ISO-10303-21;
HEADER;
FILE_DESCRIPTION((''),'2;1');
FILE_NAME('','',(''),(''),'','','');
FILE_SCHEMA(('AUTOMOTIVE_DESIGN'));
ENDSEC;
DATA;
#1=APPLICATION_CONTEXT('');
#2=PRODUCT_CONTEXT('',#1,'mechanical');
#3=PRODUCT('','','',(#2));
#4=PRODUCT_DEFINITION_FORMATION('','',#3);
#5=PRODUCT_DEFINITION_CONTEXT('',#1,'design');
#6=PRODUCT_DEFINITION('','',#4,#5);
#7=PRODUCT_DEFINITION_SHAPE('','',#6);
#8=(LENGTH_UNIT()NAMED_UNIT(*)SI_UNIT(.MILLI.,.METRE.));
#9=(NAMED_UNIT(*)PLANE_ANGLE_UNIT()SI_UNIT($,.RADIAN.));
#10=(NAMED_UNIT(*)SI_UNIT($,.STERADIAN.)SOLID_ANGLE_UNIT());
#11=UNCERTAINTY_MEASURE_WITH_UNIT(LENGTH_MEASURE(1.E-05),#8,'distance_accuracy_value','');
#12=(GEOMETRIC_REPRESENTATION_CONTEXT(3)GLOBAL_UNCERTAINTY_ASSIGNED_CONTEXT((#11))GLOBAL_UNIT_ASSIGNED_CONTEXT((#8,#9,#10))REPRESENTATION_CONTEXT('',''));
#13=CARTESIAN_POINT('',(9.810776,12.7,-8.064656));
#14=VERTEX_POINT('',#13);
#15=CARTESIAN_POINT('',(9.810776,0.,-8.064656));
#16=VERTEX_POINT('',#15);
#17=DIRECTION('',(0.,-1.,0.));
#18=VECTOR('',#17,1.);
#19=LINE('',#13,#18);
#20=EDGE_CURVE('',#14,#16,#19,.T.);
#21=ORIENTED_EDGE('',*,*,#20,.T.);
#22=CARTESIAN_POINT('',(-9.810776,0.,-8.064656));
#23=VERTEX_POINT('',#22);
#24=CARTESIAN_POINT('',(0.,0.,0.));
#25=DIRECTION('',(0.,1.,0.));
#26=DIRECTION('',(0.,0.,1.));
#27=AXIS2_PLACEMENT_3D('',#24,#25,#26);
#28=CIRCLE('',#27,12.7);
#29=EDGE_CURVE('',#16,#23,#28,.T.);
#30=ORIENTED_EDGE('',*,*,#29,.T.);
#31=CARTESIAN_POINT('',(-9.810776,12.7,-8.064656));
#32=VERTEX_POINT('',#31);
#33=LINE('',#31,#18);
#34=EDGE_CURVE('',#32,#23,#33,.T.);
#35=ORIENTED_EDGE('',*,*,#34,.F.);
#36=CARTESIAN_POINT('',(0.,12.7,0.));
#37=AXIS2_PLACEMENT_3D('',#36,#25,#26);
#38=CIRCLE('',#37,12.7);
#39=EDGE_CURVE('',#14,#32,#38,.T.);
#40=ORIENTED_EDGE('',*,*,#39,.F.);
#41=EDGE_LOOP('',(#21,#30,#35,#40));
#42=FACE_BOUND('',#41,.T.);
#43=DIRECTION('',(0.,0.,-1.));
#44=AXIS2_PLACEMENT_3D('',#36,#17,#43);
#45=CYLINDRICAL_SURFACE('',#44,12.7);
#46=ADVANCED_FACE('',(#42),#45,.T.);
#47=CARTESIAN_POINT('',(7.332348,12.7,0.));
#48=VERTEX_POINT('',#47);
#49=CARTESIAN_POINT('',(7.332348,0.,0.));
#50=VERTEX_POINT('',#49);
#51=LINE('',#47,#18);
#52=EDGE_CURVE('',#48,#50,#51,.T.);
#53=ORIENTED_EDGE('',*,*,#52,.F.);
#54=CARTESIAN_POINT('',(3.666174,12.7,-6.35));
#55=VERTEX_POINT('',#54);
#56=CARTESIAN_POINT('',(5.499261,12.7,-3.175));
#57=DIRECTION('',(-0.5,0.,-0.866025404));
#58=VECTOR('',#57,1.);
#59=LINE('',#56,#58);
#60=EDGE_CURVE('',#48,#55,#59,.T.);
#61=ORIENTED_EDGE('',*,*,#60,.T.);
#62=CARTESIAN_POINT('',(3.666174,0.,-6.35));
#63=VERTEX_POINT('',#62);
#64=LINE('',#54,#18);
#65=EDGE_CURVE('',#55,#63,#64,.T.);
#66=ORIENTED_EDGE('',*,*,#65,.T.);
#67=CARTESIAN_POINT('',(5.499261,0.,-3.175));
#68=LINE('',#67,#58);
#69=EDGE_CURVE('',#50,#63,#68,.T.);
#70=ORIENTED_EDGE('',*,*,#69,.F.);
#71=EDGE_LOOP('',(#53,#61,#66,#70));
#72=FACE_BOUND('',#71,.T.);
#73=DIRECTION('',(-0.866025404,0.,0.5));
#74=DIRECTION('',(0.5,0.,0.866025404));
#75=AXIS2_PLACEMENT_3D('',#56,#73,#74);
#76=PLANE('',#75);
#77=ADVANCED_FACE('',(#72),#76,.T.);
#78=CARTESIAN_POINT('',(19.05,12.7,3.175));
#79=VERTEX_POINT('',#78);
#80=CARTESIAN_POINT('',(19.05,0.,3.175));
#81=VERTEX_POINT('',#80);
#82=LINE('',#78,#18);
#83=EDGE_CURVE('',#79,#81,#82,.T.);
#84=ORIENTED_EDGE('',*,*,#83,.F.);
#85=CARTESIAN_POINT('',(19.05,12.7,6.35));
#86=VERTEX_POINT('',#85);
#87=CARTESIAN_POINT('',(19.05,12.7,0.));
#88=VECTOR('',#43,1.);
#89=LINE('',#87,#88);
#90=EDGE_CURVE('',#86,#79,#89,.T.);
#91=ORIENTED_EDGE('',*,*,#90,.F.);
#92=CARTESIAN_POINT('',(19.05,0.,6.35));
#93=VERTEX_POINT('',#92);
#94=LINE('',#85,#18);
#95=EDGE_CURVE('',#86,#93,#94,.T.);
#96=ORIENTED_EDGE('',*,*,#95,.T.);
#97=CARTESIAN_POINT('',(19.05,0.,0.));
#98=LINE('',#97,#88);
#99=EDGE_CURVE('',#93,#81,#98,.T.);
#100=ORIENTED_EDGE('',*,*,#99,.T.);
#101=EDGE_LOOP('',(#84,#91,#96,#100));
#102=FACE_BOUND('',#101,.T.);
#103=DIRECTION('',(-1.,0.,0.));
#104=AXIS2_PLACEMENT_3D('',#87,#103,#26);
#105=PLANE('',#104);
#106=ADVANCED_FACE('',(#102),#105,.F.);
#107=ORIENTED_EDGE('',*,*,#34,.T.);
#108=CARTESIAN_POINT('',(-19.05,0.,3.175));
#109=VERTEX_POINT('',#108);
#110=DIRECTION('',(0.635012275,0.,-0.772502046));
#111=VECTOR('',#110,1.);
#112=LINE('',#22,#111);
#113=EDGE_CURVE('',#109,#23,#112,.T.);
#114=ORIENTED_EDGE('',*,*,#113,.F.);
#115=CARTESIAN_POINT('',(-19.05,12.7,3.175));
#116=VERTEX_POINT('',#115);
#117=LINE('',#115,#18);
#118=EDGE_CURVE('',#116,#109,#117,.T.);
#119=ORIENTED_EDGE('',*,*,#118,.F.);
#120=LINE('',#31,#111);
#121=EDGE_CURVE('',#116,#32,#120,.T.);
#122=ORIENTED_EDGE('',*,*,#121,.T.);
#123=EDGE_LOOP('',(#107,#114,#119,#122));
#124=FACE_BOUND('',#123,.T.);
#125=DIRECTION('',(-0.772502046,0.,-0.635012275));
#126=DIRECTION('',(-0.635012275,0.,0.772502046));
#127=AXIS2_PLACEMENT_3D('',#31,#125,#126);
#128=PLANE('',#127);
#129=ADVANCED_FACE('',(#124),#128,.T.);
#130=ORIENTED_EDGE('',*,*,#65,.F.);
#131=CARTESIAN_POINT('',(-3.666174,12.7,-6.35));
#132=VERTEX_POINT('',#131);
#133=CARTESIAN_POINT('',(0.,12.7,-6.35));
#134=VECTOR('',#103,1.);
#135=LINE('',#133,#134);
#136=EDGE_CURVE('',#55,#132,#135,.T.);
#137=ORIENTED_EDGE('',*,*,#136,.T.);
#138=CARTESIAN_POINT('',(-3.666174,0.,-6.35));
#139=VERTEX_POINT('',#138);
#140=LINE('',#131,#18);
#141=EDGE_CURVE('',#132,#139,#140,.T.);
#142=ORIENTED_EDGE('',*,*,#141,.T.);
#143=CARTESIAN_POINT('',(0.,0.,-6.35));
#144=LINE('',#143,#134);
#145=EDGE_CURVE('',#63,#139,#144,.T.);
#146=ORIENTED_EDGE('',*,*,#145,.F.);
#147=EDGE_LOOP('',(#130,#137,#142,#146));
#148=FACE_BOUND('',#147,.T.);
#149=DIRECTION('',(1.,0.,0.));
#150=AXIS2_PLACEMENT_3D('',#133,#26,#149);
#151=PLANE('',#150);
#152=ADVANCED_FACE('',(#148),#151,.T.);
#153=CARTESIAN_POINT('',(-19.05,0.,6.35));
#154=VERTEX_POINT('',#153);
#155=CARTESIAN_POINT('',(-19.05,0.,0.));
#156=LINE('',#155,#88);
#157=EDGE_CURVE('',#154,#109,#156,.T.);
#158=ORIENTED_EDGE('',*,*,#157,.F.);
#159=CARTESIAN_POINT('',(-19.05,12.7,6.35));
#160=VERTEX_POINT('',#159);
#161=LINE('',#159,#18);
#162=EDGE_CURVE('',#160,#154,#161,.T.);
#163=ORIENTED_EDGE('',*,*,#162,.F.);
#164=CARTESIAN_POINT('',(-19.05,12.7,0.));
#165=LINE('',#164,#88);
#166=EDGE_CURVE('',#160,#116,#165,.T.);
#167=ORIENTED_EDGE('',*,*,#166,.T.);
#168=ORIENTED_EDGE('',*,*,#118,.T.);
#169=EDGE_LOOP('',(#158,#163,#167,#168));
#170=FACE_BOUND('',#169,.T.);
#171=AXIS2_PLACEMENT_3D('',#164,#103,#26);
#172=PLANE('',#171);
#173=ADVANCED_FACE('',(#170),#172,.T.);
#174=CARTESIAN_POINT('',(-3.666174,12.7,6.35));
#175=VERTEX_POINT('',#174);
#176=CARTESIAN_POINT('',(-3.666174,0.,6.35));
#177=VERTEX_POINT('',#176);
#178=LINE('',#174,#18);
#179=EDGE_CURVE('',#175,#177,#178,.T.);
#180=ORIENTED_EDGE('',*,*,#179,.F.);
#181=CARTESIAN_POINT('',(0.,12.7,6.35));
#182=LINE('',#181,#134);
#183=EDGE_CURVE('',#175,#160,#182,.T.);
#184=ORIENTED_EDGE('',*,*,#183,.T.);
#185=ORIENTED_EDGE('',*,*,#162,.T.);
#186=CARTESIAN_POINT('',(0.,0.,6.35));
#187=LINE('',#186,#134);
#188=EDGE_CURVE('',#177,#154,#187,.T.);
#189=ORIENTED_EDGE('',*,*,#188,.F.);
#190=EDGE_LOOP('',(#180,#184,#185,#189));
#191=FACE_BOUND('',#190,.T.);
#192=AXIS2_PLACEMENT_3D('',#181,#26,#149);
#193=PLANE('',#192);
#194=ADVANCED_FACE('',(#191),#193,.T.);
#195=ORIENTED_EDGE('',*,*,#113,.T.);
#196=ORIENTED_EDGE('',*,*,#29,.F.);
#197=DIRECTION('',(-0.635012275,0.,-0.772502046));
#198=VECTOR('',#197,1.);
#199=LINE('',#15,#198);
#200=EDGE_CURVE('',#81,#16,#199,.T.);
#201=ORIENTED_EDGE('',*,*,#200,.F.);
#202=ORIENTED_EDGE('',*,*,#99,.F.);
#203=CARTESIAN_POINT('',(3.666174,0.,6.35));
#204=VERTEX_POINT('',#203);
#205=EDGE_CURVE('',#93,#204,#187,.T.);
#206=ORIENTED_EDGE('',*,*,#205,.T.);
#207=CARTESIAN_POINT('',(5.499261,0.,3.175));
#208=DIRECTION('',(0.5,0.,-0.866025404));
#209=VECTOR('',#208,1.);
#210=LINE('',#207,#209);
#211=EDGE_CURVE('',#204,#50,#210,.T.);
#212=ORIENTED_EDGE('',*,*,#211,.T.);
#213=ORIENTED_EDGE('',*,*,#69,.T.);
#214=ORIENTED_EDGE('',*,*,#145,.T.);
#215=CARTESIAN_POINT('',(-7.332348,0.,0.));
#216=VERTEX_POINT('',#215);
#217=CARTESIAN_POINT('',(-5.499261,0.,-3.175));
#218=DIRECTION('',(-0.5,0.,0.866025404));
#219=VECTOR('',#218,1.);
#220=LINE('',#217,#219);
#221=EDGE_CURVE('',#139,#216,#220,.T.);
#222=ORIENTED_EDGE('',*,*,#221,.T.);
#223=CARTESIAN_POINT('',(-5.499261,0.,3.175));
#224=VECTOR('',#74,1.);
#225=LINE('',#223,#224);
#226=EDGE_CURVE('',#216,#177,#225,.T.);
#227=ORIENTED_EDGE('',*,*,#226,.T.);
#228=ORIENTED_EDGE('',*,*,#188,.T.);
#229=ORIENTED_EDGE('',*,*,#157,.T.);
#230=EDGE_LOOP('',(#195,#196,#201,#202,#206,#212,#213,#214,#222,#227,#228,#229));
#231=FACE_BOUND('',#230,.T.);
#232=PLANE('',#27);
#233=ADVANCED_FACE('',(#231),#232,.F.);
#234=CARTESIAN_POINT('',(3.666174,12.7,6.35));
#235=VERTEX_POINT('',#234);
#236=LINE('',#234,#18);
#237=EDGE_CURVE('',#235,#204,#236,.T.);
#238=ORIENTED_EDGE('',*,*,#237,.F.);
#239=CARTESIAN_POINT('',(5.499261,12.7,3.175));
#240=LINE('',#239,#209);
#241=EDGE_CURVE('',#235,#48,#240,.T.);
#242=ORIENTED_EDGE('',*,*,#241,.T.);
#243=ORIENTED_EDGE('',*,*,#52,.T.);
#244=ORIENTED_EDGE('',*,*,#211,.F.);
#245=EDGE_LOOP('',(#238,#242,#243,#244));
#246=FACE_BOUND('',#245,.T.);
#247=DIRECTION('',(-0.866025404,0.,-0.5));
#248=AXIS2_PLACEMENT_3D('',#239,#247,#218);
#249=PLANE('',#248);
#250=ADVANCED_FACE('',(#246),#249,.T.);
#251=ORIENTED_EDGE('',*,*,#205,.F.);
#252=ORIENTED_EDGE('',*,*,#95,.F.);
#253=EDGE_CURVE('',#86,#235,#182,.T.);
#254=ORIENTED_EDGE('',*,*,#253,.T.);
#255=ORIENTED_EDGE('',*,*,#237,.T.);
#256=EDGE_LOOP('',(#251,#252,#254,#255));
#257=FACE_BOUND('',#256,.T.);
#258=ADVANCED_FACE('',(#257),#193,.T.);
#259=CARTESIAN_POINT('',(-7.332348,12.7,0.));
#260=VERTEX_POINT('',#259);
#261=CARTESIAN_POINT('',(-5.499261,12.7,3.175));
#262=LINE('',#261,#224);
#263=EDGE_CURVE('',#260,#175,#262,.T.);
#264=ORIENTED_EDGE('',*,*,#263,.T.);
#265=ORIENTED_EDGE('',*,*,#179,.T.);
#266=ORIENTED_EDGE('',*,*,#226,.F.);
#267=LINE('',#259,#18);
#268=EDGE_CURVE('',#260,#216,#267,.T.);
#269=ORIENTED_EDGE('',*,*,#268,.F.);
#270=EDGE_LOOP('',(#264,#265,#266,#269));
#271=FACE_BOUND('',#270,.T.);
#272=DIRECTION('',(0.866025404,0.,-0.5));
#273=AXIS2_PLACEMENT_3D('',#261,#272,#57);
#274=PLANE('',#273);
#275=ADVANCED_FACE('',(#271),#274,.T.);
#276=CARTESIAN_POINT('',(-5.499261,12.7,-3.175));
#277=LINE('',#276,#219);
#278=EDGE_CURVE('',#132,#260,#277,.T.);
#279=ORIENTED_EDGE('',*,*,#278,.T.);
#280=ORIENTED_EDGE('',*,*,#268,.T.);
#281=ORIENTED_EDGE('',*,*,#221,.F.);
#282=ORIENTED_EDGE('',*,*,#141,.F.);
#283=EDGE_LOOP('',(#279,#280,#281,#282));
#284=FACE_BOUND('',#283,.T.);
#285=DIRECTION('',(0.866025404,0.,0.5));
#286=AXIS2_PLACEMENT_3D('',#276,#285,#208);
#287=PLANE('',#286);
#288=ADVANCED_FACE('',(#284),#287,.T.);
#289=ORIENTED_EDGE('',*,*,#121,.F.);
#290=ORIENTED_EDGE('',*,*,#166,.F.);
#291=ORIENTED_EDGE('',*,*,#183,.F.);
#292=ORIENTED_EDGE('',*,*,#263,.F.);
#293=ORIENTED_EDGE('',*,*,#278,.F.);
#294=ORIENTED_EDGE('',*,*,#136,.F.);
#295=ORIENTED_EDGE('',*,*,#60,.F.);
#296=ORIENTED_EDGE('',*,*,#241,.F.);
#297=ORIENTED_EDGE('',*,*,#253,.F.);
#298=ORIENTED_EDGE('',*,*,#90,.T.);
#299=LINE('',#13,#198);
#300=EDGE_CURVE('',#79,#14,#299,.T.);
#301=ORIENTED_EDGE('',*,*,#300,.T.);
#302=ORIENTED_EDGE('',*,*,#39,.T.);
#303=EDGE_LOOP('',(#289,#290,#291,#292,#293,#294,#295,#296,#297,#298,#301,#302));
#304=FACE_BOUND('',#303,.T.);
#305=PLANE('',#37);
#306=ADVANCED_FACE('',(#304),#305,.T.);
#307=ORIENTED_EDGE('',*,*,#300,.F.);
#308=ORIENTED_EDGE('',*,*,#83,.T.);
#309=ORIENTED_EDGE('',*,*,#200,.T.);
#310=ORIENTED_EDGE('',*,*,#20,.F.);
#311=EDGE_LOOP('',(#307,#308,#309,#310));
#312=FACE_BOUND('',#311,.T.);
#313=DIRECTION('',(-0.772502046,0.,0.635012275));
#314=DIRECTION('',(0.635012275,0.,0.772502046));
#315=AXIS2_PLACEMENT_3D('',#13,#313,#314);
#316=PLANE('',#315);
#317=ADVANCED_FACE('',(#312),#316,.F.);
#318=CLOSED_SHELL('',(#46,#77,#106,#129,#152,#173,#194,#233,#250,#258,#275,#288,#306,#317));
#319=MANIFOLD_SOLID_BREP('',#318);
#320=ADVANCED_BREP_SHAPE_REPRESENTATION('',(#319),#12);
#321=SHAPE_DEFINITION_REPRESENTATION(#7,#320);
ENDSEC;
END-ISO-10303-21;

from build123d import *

# Parameters (mm, degrees)
BOSS_EXTRUDE1_DEPTH = 12.7


with BuildPart() as part:
    # Sketch1 → Boss-Extrude1 (new body)
    with BuildSketch(Plane(origin=(0, 0, 0), x_dir=(1, 0, 0), z_dir=(0, 1, 0))):
        with BuildLine():
            Line((3.666174209, -6.35), (19.05, -6.35))
            Line((19.05, -6.35), (19.05, -3.175))
            Line((19.05, -3.175), (9.810775982, 8.064655891))
            ThreePointArc((9.810775982, 8.064655891), (0, 12.7), (-9.810775982, 8.064655891))
            Line((-9.810775982, 8.064655891), (-19.05, -3.175))
            Line((-19.05, -3.175), (-19.05, -6.35))
            Line((-19.05, -6.35), (-3.666174209, -6.35))
            Line((-3.666174209, -6.35), (-7.332348419, 0))
            Line((-7.332348419, 0), (-3.666174209, 6.35))
            Line((-3.666174209, 6.35), (3.666174209, 6.35))
            Line((3.666174209, 6.35), (7.332348419, 0))
            Line((7.332348419, 0), (3.666174209, -6.35))
        make_face()
    extrude(amount=BOSS_EXTRUDE1_DEPTH)


solid = part.part
